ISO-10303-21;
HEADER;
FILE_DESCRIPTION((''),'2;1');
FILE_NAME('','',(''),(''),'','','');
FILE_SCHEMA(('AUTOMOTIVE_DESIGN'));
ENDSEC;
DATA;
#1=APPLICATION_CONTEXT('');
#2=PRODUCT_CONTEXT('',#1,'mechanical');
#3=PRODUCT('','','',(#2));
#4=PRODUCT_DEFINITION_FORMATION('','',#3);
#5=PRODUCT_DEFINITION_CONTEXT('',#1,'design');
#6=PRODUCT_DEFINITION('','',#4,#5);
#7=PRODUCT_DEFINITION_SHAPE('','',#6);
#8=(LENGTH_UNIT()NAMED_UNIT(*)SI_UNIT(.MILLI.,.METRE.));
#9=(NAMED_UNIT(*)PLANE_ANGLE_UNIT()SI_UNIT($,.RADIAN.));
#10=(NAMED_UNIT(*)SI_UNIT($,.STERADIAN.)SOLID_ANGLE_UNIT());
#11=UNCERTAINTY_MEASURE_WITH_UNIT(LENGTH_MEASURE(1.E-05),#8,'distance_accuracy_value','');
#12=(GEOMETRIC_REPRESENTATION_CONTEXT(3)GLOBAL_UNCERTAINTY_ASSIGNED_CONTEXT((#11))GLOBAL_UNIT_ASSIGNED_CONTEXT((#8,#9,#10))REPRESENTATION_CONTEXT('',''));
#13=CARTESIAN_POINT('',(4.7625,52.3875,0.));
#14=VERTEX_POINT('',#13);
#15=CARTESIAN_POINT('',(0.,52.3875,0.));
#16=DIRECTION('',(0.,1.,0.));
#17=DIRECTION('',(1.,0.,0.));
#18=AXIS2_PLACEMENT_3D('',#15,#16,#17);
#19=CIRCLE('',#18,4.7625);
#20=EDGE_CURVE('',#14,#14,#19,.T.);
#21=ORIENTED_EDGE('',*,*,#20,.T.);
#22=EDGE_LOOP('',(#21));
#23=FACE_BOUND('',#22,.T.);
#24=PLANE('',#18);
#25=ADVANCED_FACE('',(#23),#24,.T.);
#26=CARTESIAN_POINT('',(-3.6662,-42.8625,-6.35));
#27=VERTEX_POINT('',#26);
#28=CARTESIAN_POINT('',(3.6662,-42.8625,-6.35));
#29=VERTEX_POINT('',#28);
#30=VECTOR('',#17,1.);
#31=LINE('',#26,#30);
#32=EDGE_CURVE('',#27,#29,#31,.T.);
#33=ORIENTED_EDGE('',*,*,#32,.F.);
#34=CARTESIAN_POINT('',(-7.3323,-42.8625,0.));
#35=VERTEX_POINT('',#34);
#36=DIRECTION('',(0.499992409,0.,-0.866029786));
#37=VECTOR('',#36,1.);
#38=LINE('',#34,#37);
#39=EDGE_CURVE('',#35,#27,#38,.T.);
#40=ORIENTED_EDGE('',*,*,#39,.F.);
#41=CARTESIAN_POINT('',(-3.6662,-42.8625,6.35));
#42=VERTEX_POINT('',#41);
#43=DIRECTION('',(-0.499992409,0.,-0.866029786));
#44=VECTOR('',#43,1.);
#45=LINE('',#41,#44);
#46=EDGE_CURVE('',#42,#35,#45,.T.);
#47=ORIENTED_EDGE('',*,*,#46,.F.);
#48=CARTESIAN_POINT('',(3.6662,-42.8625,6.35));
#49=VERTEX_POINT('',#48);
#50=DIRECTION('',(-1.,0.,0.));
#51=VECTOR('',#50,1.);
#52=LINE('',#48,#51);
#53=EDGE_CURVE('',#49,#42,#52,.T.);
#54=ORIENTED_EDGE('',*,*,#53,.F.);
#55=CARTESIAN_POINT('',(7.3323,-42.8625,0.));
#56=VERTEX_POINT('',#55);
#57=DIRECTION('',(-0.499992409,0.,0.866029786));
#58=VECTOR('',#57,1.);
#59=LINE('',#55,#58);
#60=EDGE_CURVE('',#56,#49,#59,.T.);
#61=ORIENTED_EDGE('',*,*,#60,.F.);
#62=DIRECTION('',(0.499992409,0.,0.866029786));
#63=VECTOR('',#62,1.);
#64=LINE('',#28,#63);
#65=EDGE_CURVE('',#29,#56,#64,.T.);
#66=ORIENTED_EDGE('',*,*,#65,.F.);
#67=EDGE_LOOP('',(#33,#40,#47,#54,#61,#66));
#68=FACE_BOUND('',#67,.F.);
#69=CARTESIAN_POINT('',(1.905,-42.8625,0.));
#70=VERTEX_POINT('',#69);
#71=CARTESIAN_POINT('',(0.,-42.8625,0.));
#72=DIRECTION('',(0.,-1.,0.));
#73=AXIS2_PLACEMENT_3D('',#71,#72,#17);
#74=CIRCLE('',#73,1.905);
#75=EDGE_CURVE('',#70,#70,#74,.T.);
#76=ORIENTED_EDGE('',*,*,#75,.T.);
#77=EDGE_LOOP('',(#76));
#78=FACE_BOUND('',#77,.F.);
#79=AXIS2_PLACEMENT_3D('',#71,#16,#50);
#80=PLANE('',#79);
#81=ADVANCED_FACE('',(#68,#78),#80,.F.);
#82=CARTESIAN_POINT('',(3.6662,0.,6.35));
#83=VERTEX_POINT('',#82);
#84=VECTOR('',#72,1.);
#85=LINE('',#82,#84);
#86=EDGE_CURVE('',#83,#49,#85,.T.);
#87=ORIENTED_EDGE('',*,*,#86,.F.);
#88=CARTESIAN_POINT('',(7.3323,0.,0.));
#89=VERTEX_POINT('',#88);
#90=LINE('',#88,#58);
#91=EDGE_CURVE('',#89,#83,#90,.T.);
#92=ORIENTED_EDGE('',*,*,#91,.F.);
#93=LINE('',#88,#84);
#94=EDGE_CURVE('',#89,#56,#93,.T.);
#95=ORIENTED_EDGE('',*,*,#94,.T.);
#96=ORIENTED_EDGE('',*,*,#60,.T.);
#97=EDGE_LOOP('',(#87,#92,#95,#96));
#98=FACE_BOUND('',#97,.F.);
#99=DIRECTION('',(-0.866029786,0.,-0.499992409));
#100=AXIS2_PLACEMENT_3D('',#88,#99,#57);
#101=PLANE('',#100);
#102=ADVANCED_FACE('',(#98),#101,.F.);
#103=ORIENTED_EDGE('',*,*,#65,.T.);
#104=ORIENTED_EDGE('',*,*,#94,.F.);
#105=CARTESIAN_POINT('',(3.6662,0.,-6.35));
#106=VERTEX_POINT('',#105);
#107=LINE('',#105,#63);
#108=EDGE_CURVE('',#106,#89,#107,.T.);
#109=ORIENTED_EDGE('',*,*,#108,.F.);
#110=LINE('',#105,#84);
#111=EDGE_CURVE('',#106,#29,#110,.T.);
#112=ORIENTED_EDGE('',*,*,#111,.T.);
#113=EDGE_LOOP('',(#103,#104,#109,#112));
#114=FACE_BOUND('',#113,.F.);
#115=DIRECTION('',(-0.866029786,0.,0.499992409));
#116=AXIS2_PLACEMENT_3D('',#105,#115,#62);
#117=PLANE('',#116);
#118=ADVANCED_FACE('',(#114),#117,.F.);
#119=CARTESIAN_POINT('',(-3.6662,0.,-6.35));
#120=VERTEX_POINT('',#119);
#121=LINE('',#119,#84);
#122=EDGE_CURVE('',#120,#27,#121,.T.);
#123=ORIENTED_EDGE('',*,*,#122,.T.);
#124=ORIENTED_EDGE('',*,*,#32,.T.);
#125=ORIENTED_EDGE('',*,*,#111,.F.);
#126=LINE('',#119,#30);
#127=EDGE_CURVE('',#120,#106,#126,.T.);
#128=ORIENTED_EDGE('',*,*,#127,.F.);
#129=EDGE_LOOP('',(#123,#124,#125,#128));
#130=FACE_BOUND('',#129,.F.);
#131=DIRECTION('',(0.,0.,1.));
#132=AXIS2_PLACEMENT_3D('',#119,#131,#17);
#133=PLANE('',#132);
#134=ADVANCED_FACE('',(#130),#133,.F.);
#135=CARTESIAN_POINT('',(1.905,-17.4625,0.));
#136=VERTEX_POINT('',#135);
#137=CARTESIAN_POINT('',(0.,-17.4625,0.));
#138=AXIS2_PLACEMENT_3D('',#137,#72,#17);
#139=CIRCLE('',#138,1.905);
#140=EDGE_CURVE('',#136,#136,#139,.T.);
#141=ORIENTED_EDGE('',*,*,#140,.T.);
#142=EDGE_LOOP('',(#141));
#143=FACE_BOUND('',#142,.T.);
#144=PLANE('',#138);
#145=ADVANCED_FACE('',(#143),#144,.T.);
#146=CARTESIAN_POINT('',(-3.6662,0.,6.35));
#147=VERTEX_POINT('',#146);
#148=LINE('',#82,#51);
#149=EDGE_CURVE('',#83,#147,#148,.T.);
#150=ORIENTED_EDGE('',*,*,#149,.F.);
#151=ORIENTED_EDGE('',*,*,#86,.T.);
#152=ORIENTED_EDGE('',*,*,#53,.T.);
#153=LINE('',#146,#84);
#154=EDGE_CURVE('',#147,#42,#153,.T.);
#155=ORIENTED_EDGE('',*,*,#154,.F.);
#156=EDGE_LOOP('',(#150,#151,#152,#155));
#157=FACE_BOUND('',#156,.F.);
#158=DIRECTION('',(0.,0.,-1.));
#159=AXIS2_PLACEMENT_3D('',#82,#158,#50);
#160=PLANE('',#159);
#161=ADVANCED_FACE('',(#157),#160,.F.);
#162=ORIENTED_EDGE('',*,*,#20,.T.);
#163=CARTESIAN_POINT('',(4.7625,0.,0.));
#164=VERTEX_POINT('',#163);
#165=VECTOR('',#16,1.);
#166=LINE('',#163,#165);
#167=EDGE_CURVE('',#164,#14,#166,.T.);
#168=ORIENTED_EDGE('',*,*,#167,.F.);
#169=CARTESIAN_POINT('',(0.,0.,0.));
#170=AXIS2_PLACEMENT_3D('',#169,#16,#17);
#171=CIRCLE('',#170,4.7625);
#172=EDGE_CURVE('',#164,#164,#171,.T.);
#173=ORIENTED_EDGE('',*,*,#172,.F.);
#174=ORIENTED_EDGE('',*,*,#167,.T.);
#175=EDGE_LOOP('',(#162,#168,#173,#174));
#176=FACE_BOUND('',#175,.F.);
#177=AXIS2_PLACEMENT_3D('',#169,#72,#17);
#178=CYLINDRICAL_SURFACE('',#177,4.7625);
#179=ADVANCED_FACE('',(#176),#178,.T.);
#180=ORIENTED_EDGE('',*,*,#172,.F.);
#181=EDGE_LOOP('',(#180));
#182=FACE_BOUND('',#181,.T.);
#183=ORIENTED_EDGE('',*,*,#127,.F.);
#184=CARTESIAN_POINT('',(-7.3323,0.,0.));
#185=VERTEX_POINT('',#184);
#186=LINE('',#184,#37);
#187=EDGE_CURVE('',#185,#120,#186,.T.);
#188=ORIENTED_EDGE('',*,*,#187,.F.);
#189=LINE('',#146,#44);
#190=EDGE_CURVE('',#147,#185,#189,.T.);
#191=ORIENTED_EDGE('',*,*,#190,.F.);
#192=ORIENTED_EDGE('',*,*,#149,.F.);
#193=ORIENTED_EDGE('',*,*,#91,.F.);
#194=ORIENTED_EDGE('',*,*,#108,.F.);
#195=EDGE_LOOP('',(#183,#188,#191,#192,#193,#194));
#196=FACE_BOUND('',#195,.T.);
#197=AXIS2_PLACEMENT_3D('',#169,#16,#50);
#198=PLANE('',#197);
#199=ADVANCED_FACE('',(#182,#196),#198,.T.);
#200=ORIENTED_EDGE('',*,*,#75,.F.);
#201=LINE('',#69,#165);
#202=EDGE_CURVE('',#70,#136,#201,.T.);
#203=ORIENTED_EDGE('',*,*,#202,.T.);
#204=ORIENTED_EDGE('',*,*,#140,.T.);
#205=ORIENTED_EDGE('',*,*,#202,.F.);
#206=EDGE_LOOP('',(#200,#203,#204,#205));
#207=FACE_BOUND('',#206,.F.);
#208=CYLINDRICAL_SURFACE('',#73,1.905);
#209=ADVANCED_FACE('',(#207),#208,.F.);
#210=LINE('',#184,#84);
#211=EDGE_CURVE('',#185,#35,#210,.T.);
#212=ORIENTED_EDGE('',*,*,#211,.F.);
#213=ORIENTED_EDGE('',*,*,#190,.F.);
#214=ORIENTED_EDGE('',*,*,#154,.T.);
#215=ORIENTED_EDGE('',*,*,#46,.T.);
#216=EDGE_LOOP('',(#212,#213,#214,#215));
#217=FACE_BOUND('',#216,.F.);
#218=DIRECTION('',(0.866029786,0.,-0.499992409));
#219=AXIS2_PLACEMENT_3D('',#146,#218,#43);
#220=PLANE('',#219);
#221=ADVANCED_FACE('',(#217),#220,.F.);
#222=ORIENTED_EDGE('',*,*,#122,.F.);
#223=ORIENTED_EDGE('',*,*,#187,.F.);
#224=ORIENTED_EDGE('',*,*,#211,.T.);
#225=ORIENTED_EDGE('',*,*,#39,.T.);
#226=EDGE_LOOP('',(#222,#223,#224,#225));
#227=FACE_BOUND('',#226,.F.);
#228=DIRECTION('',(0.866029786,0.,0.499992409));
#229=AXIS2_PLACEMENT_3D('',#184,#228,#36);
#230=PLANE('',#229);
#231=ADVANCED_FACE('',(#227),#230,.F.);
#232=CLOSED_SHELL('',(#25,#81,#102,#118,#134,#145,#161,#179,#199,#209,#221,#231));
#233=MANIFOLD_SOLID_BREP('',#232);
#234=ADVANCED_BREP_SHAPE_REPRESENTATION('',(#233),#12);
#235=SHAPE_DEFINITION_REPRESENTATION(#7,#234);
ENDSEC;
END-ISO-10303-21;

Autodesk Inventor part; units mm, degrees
ref_plane "YZ Plane" through (0, 0, 0) normal (1, 0, 0) x (0, 1, 0)
ref_plane "XZ Plane" through (0, 0, 0) normal (0, 1, 0) x (-1, 0, 0)
ref_plane "XY Plane" through (0, 0, 0) normal (0, 0, 1) x (1, 0, 0)
sketch "Sketch1" plane through (0, 0, 0) normal (0, 1, 0) x (-1, 0, 0)
  line L0 (3.6662, -6.35) -> (-3.6662, -6.35)
  line L1 (-3.6662, -6.35) -> (-7.3323, 0)
  line L2 (-7.3323, 0) -> (-3.6662, 6.35)
  line L3 (-3.6662, 6.35) -> (3.6662, 6.35)
  line L4 (3.6662, 6.35) -> (7.3323, 0)
  line L5 (7.3323, 0) -> (3.6662, -6.35)
  point P0 (0, 0)
  point P1 (0, 0)
  dimension "d0" = 12.7
extrude "Extrusion1" add sketch "Sketch1" against normal blind 42.8625
sketch "Sketch2" plane through (0, 0, 0) normal (0, 1, 0) x (1, 0, 0)
  circle A0 centre (0, 0) radius 4.7625
  dimension "d3" = 9.525
extrude "Extrusion2" add sketch "Sketch2" along normal blind 52.3875
sketch "Sketch3" plane through (0, -42.8625, 0) normal (0, -1, 0) x (1, 0, 0)
  circle A0 centre (0, 0) radius 4.7625 projected
  circle A1 centre (0, 0) radius 1.905
  dimension "d7" = 3.81
extrude "Extrusion3" cut sketch "Sketch3" against normal blind 25.4 contours A1
properties part number "Roller drive shaft" material "Aluminum 6061"
